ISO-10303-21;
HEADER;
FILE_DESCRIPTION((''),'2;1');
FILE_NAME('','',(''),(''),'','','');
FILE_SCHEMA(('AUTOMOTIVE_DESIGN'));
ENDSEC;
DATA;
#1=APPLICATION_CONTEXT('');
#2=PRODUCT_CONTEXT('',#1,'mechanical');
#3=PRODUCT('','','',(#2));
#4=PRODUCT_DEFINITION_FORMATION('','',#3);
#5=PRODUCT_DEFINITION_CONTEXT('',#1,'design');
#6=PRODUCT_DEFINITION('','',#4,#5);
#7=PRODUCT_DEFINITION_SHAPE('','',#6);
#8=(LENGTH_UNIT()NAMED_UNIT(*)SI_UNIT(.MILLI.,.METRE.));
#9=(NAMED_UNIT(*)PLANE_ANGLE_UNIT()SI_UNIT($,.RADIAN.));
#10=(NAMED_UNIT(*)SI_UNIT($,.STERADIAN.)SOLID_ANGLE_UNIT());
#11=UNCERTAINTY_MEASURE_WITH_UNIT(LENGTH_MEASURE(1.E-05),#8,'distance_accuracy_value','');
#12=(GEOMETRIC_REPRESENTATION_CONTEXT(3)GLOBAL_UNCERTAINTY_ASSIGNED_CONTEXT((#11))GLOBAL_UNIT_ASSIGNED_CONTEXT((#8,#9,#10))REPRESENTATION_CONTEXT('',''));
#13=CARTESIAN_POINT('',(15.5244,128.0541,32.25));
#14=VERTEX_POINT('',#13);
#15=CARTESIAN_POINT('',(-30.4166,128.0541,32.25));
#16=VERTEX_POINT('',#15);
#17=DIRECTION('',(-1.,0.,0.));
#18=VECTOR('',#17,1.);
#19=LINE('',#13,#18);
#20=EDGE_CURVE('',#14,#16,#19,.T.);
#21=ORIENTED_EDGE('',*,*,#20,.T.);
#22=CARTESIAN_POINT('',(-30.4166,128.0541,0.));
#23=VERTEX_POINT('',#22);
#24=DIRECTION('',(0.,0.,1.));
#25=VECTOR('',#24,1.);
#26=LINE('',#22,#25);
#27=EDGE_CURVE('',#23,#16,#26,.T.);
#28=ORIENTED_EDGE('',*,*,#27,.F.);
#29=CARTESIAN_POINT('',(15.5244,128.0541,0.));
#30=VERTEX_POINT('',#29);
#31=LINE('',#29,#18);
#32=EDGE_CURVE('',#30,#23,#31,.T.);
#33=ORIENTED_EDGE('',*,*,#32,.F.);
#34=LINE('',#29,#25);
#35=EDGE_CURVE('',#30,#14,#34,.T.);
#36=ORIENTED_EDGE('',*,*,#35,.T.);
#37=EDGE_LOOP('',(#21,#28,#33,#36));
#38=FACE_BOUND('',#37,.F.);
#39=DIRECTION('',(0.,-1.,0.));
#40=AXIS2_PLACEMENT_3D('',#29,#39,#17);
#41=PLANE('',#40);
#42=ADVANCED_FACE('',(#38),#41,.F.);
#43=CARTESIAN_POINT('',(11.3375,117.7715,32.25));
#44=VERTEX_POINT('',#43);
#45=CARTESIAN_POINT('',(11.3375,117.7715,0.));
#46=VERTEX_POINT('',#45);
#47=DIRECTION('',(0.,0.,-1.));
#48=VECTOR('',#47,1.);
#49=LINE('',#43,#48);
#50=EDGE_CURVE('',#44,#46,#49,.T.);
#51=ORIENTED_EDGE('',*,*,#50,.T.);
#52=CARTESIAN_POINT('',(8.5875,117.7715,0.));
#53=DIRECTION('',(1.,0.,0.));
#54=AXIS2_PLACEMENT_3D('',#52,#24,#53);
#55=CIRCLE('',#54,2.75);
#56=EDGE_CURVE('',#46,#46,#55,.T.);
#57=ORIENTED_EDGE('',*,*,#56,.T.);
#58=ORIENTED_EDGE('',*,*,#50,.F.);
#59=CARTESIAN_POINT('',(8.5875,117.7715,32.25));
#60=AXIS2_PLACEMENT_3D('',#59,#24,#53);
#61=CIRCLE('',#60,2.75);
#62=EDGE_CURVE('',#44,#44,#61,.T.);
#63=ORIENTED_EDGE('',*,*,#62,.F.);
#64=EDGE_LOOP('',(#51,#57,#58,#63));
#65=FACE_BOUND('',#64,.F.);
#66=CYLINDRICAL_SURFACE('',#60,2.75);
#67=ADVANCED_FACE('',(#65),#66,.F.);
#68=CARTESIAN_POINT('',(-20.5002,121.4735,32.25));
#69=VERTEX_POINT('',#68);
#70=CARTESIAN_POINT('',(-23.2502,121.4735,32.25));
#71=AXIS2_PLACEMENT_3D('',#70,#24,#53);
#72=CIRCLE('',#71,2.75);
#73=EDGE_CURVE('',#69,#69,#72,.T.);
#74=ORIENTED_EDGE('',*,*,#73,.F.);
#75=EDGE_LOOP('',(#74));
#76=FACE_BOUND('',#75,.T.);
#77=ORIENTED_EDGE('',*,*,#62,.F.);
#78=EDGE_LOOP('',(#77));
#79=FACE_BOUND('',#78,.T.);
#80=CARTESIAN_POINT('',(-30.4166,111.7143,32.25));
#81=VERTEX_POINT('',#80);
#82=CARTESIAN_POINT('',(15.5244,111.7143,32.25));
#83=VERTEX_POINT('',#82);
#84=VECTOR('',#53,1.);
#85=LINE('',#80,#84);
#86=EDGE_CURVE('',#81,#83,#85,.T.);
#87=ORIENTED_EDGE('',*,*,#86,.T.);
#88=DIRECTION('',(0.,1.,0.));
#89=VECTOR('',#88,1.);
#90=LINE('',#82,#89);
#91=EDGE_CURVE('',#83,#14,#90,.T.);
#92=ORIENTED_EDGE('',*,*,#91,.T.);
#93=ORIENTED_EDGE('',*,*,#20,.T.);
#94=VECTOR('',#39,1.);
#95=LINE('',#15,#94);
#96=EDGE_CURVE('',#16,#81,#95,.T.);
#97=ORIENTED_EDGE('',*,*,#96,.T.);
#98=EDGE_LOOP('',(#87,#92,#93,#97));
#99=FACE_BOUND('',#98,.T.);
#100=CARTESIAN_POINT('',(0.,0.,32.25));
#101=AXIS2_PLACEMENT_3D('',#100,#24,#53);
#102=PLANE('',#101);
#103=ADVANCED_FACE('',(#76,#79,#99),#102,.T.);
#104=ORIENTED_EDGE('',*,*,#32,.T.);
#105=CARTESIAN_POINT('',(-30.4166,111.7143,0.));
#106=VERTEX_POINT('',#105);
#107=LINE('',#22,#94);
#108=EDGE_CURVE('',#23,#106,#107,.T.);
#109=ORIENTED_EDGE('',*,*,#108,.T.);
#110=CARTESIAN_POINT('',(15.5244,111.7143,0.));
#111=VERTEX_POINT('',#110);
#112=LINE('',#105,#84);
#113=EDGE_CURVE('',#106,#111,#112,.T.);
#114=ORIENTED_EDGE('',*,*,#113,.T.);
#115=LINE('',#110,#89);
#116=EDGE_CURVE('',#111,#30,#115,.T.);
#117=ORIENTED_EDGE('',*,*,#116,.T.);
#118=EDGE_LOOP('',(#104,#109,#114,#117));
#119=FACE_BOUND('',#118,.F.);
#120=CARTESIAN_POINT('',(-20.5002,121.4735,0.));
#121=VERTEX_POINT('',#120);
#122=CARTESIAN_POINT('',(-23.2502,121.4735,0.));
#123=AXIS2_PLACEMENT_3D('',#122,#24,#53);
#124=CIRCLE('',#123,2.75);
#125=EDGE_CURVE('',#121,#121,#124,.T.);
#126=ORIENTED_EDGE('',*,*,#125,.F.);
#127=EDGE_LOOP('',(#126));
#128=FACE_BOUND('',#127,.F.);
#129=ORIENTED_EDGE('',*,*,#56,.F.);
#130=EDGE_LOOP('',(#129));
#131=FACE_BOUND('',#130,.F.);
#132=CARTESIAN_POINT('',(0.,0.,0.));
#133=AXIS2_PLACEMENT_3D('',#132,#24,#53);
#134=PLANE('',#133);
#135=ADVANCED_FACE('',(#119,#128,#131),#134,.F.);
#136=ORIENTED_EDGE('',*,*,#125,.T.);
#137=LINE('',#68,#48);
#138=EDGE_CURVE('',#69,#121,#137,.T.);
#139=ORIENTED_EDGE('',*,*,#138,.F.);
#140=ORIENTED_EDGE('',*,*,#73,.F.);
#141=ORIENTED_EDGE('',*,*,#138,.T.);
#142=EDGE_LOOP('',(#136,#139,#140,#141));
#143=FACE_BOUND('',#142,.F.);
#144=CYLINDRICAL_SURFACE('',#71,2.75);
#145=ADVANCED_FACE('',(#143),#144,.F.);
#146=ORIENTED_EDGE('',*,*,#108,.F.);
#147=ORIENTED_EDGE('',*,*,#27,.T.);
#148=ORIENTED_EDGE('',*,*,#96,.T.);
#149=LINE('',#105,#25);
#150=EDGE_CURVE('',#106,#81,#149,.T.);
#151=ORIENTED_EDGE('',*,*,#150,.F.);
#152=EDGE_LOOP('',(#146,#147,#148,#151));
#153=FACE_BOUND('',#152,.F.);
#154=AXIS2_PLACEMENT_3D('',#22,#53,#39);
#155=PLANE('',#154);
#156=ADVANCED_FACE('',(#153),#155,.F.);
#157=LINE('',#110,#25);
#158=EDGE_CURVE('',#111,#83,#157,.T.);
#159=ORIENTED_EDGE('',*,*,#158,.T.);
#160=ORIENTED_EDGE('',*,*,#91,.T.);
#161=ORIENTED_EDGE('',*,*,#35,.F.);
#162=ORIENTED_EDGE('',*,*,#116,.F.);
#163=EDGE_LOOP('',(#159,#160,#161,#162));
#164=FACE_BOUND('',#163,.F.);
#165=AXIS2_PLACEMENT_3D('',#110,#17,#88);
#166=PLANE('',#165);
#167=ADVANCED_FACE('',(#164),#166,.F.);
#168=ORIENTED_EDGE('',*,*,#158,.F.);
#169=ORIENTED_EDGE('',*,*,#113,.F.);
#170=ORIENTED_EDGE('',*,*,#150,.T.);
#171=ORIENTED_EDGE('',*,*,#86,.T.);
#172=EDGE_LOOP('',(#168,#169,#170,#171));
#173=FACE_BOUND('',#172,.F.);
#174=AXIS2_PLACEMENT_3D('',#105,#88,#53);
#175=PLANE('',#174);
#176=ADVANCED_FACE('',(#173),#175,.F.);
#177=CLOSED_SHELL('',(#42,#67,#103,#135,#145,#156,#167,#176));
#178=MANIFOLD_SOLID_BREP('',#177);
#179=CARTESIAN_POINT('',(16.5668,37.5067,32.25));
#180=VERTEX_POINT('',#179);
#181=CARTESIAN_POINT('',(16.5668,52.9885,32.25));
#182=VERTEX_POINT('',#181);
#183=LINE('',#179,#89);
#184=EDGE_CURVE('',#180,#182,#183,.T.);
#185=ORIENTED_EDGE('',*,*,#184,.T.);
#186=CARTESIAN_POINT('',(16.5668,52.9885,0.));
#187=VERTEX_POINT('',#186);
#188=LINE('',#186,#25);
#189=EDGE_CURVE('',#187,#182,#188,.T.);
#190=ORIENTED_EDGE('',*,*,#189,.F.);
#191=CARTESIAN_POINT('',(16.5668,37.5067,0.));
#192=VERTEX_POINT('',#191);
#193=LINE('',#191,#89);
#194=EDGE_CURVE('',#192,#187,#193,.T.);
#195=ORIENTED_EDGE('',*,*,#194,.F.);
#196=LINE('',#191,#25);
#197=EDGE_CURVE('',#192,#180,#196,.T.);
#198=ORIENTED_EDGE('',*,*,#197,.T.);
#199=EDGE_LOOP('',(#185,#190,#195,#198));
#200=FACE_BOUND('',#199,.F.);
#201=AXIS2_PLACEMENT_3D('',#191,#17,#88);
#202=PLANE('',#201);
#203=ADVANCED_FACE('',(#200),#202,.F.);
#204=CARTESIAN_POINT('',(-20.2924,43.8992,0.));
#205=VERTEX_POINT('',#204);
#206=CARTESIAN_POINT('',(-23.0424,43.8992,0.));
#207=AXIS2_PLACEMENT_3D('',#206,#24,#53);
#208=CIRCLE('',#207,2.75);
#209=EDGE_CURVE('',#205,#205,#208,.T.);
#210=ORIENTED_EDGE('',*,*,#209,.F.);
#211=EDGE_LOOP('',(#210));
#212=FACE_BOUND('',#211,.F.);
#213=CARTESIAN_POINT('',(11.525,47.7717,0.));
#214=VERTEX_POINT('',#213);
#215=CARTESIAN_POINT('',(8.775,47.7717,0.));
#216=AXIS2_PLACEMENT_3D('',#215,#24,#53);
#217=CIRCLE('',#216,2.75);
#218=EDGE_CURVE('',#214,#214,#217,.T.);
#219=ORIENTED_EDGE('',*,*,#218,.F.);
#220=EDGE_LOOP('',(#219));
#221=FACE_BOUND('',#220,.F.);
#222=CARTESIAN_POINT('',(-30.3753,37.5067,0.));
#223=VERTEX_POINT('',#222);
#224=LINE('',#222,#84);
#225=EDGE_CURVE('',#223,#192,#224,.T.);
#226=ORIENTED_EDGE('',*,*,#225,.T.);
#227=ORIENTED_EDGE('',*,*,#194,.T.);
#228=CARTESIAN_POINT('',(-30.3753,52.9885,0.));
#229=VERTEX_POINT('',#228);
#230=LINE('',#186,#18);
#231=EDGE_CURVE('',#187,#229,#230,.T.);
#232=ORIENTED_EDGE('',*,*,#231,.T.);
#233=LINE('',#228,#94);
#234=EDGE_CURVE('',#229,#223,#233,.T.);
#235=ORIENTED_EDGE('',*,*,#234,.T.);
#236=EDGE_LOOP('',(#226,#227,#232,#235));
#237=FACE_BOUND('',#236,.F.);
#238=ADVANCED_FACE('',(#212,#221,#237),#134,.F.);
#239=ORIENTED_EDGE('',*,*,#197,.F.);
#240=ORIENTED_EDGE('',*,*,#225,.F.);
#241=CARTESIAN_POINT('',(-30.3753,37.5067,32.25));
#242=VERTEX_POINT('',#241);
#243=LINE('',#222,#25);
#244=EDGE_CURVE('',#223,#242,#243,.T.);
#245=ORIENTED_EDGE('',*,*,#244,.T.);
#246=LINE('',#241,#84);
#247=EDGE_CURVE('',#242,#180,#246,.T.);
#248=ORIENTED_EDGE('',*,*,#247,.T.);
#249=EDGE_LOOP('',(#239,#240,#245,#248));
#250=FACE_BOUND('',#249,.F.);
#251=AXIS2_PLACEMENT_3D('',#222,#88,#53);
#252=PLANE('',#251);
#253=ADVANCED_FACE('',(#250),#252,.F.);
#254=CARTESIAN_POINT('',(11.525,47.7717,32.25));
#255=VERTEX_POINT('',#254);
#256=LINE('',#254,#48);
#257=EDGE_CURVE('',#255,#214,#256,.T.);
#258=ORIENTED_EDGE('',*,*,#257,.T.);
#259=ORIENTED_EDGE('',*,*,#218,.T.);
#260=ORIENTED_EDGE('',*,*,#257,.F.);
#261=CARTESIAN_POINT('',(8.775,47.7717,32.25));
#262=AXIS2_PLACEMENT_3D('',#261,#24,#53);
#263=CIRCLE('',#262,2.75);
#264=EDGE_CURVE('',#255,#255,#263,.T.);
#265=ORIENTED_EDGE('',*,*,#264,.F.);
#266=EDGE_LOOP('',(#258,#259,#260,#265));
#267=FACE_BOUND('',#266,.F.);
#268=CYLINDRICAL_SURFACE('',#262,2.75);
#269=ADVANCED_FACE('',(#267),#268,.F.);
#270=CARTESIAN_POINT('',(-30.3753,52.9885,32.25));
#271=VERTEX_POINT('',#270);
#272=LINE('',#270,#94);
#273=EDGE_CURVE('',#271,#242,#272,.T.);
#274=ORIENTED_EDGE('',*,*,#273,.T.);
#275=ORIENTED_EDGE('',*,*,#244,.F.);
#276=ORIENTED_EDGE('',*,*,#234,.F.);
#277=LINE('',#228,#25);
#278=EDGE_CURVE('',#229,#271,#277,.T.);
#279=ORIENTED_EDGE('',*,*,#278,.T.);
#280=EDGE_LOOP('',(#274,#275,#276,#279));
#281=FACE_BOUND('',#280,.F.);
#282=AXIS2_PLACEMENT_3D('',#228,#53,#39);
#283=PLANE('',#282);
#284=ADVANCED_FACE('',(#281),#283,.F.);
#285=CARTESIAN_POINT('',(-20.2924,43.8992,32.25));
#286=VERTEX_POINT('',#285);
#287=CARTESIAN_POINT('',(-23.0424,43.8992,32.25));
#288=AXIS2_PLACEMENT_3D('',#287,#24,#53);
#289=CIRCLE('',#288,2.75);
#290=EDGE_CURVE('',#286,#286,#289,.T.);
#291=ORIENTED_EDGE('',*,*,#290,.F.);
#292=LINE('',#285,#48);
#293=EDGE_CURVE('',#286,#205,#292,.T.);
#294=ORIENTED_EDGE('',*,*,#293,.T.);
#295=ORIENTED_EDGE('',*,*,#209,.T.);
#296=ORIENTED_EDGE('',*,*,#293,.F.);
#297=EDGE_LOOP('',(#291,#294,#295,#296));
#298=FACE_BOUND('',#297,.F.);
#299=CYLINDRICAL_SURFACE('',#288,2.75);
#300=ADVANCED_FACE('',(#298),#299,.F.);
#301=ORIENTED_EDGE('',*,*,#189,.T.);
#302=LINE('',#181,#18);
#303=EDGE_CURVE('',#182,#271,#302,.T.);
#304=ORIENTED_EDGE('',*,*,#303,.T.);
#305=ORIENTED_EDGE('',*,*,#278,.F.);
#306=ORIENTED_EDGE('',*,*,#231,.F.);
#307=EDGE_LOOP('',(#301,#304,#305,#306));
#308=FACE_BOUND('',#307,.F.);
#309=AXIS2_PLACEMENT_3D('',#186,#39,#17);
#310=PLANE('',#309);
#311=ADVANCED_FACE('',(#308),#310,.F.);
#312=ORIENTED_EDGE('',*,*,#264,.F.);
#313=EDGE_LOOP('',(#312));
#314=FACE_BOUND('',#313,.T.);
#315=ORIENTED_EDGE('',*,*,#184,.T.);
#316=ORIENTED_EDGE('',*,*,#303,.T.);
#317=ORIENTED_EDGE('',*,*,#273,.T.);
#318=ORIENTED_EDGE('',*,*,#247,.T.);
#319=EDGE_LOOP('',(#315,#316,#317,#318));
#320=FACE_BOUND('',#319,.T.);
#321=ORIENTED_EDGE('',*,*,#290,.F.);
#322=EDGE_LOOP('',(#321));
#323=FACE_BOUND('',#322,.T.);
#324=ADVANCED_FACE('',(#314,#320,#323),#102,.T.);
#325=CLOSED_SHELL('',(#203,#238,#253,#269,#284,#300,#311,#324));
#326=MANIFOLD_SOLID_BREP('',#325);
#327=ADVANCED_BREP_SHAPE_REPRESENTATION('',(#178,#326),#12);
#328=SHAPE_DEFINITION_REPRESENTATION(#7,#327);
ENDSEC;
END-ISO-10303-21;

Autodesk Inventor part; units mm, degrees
ref_plane "YZ Plane" through (0, 0, 0) normal (1, 0, 0) x (0, 1, 0)
ref_plane "XZ Plane" through (0, 0, 0) normal (0, 1, 0) x (-1, 0, 0)
ref_plane "XY Plane" through (0, 0, 0) normal (0, 0, 1) x (1, 0, 0)
sketch "Эскиз1" plane through (0, 0, 0) normal (0, 0, 1) x (1, 0, 0)
  line L0 (15.5244, 128.0541) -> (-30.4166, 128.0541)
  line L1 (-30.4166, 128.0541) -> (-30.4166, 111.7143)
  line L2 (-30.4166, 111.7143) -> (15.5244, 111.7143)
  line L3 (15.5244, 111.7143) -> (15.5244, 128.0541)
  line L4 (16.5668, 52.9885) -> (-30.3753, 52.9885)
  line L5 (-30.3753, 52.9885) -> (-30.3753, 37.5067)
  line L6 (-30.3753, 37.5067) -> (16.5668, 37.5067)
  line L7 (16.5668, 37.5067) -> (16.5668, 52.9885)
  point P0 (0, 0)
extrude "Выдавливание1" add sketch "Эскиз1" along normal blind 32.25
sketch "Эскиз2" plane through (0, 0, 32.25) normal (0, 0, 1) x (1, 0, 0)
  circle A0 centre (8.5875, 117.7715) radius 2.75 projected
  circle A1 centre (-23.2502, 121.4735) radius 2.75 projected
  circle A2 centre (-23.0424, 43.8992) radius 2.75 projected
  circle A3 centre (8.775, 47.7717) radius 2.75 projected
  point P0 (0, 0)
extrude "Выдавливание2" cut sketch "Эскиз2" against normal blind 32.25
properties part number "Подставка"
